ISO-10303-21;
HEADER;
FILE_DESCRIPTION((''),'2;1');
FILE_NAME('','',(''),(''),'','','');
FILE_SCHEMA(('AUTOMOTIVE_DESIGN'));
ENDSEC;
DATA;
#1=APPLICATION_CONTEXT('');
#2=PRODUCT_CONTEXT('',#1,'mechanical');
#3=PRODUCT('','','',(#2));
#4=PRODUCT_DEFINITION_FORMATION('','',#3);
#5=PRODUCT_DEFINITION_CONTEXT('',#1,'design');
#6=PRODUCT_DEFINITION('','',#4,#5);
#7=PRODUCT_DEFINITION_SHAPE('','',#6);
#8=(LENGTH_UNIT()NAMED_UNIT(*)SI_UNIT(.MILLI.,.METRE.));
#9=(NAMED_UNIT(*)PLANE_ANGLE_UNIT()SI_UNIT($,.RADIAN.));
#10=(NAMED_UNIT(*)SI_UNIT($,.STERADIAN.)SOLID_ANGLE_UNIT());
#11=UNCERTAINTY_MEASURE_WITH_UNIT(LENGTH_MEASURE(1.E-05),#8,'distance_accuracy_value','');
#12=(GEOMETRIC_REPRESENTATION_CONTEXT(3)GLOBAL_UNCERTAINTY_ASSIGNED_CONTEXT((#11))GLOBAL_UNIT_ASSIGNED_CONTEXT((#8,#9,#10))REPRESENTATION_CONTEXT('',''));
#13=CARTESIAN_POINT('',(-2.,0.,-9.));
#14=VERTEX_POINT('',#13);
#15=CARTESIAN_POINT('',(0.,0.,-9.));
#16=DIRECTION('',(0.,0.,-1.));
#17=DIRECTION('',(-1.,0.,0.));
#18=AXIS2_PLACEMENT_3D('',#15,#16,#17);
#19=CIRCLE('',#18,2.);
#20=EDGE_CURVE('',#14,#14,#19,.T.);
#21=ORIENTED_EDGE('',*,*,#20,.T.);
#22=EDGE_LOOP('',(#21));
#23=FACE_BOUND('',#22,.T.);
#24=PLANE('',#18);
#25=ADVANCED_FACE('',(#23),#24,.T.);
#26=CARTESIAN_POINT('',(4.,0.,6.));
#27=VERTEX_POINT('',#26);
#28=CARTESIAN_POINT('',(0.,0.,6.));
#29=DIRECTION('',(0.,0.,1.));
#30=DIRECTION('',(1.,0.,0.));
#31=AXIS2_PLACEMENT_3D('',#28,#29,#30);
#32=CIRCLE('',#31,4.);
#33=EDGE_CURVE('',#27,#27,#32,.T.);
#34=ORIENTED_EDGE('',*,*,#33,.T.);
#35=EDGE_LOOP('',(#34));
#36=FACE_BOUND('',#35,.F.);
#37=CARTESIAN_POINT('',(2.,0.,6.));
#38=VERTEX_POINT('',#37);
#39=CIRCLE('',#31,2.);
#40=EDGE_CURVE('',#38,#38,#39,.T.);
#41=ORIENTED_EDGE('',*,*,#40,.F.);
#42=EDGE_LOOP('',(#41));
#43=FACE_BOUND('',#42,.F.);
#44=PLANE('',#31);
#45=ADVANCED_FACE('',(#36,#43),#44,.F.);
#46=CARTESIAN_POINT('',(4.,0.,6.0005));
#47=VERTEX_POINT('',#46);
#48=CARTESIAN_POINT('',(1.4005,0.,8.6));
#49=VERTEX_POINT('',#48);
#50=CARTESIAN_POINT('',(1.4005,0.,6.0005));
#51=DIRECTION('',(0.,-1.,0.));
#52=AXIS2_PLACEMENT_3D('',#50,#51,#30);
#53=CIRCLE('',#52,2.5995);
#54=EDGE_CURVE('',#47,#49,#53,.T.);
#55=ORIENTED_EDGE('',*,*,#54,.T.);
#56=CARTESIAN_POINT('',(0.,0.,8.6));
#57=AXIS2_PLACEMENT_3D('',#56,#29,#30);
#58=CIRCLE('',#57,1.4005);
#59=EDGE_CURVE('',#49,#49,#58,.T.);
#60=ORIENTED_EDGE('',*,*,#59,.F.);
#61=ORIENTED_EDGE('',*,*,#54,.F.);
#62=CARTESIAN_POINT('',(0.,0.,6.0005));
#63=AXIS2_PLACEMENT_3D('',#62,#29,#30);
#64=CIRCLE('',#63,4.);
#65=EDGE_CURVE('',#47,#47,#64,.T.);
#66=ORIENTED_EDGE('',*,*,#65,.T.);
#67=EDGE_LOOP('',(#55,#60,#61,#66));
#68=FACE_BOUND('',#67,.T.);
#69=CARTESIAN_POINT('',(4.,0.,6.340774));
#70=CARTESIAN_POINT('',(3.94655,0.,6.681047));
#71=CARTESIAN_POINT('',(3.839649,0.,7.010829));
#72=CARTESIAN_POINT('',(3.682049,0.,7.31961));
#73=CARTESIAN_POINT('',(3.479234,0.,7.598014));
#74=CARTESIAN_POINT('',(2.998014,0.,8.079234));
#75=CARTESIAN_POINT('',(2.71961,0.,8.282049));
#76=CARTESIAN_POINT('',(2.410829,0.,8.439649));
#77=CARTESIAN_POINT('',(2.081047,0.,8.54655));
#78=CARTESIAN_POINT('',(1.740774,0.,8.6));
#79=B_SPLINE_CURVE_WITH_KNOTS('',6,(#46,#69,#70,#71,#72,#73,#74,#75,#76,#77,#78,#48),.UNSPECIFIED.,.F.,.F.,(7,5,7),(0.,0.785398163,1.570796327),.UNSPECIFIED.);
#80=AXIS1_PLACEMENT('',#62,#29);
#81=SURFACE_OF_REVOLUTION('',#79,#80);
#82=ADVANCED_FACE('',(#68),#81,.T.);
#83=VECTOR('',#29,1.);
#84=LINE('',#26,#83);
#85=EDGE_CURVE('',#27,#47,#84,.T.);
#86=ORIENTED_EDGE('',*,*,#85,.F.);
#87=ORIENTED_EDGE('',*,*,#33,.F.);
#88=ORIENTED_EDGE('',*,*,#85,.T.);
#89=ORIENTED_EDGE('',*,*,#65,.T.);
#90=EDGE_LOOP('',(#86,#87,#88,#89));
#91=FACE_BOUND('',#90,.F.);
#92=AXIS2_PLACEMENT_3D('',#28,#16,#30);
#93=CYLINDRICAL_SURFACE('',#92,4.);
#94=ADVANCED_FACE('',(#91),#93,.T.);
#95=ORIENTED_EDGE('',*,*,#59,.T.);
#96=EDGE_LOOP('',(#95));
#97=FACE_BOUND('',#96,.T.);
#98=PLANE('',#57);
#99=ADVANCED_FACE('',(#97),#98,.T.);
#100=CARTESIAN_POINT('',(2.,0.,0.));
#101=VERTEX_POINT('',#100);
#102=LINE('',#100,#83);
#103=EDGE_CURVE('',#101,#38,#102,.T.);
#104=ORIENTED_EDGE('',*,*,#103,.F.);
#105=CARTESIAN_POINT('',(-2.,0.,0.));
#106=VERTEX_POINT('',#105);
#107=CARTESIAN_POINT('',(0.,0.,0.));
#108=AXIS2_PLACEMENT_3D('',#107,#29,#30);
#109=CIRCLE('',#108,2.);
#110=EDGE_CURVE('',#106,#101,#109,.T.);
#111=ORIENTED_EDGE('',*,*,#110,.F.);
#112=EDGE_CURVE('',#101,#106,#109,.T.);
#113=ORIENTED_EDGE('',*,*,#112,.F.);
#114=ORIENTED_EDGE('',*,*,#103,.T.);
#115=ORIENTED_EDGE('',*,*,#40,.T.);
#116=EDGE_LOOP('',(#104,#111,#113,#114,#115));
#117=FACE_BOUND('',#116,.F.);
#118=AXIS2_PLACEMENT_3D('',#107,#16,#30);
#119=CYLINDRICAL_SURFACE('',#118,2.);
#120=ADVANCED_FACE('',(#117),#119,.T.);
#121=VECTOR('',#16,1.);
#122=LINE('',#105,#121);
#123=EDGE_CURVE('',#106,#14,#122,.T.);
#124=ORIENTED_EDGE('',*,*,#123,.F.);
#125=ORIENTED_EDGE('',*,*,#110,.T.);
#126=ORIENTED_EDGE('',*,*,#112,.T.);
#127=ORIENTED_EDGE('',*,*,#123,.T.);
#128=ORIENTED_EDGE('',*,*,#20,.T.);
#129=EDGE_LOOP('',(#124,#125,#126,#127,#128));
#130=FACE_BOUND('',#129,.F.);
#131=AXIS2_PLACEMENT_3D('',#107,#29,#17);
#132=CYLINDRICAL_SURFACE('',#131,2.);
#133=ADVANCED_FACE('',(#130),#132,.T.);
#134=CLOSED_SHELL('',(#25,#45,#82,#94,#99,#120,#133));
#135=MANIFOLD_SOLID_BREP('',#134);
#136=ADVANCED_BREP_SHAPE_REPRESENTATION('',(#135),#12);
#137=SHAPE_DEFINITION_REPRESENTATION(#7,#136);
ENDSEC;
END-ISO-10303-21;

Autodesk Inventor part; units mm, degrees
ref_plane "YZ Plane" through (0, 0, 0) normal (1, 0, 0) x (0, 1, 0)
ref_plane "XZ Plane" through (0, 0, 0) normal (0, 1, 0) x (-1, 0, 0)
ref_plane "XY Plane" through (0, 0, 0) normal (0, 0, 1) x (1, 0, 0)
sketch "スケッチ1" plane through (0, 0, 0) normal (0, 0, 1) x (1, 0, 0)
  circle A0 centre (0, 0) radius 2
  dimension "d0" = 4
extrude "押し出し1" add sketch "スケッチ1" along normal blind 6
sketch "スケッチ2" plane through (0, 0, 6) normal (0, 0, 1) x (1, 0, 0)
  circle A0 centre (0, 0) radius 2 projected
  circle A1 centre (0, 0) radius 4
  dimension "d3" = 8
extrude "押し出し2" add sketch "スケッチ2" along normal blind 2.6 contours A0 | A1
fillet "フィレット1" radius 2.6 1 edges at (-4, 0, 8.6)
thread "ねじ1" size "M3x0.5" class "6g" standard "ANSI Metric M Profile" full length
sketch "スケッチ3" plane through (0, 0, 0) normal (0, 0, -1) x (-1, 0, 0)
  circle A0 centre (0, 0) radius 2 projected
extrude "押し出し3" add sketch "スケッチ3" along normal blind 9
properties part number "SB　m4 15mmなべネジ" material "Steel, Mild"
